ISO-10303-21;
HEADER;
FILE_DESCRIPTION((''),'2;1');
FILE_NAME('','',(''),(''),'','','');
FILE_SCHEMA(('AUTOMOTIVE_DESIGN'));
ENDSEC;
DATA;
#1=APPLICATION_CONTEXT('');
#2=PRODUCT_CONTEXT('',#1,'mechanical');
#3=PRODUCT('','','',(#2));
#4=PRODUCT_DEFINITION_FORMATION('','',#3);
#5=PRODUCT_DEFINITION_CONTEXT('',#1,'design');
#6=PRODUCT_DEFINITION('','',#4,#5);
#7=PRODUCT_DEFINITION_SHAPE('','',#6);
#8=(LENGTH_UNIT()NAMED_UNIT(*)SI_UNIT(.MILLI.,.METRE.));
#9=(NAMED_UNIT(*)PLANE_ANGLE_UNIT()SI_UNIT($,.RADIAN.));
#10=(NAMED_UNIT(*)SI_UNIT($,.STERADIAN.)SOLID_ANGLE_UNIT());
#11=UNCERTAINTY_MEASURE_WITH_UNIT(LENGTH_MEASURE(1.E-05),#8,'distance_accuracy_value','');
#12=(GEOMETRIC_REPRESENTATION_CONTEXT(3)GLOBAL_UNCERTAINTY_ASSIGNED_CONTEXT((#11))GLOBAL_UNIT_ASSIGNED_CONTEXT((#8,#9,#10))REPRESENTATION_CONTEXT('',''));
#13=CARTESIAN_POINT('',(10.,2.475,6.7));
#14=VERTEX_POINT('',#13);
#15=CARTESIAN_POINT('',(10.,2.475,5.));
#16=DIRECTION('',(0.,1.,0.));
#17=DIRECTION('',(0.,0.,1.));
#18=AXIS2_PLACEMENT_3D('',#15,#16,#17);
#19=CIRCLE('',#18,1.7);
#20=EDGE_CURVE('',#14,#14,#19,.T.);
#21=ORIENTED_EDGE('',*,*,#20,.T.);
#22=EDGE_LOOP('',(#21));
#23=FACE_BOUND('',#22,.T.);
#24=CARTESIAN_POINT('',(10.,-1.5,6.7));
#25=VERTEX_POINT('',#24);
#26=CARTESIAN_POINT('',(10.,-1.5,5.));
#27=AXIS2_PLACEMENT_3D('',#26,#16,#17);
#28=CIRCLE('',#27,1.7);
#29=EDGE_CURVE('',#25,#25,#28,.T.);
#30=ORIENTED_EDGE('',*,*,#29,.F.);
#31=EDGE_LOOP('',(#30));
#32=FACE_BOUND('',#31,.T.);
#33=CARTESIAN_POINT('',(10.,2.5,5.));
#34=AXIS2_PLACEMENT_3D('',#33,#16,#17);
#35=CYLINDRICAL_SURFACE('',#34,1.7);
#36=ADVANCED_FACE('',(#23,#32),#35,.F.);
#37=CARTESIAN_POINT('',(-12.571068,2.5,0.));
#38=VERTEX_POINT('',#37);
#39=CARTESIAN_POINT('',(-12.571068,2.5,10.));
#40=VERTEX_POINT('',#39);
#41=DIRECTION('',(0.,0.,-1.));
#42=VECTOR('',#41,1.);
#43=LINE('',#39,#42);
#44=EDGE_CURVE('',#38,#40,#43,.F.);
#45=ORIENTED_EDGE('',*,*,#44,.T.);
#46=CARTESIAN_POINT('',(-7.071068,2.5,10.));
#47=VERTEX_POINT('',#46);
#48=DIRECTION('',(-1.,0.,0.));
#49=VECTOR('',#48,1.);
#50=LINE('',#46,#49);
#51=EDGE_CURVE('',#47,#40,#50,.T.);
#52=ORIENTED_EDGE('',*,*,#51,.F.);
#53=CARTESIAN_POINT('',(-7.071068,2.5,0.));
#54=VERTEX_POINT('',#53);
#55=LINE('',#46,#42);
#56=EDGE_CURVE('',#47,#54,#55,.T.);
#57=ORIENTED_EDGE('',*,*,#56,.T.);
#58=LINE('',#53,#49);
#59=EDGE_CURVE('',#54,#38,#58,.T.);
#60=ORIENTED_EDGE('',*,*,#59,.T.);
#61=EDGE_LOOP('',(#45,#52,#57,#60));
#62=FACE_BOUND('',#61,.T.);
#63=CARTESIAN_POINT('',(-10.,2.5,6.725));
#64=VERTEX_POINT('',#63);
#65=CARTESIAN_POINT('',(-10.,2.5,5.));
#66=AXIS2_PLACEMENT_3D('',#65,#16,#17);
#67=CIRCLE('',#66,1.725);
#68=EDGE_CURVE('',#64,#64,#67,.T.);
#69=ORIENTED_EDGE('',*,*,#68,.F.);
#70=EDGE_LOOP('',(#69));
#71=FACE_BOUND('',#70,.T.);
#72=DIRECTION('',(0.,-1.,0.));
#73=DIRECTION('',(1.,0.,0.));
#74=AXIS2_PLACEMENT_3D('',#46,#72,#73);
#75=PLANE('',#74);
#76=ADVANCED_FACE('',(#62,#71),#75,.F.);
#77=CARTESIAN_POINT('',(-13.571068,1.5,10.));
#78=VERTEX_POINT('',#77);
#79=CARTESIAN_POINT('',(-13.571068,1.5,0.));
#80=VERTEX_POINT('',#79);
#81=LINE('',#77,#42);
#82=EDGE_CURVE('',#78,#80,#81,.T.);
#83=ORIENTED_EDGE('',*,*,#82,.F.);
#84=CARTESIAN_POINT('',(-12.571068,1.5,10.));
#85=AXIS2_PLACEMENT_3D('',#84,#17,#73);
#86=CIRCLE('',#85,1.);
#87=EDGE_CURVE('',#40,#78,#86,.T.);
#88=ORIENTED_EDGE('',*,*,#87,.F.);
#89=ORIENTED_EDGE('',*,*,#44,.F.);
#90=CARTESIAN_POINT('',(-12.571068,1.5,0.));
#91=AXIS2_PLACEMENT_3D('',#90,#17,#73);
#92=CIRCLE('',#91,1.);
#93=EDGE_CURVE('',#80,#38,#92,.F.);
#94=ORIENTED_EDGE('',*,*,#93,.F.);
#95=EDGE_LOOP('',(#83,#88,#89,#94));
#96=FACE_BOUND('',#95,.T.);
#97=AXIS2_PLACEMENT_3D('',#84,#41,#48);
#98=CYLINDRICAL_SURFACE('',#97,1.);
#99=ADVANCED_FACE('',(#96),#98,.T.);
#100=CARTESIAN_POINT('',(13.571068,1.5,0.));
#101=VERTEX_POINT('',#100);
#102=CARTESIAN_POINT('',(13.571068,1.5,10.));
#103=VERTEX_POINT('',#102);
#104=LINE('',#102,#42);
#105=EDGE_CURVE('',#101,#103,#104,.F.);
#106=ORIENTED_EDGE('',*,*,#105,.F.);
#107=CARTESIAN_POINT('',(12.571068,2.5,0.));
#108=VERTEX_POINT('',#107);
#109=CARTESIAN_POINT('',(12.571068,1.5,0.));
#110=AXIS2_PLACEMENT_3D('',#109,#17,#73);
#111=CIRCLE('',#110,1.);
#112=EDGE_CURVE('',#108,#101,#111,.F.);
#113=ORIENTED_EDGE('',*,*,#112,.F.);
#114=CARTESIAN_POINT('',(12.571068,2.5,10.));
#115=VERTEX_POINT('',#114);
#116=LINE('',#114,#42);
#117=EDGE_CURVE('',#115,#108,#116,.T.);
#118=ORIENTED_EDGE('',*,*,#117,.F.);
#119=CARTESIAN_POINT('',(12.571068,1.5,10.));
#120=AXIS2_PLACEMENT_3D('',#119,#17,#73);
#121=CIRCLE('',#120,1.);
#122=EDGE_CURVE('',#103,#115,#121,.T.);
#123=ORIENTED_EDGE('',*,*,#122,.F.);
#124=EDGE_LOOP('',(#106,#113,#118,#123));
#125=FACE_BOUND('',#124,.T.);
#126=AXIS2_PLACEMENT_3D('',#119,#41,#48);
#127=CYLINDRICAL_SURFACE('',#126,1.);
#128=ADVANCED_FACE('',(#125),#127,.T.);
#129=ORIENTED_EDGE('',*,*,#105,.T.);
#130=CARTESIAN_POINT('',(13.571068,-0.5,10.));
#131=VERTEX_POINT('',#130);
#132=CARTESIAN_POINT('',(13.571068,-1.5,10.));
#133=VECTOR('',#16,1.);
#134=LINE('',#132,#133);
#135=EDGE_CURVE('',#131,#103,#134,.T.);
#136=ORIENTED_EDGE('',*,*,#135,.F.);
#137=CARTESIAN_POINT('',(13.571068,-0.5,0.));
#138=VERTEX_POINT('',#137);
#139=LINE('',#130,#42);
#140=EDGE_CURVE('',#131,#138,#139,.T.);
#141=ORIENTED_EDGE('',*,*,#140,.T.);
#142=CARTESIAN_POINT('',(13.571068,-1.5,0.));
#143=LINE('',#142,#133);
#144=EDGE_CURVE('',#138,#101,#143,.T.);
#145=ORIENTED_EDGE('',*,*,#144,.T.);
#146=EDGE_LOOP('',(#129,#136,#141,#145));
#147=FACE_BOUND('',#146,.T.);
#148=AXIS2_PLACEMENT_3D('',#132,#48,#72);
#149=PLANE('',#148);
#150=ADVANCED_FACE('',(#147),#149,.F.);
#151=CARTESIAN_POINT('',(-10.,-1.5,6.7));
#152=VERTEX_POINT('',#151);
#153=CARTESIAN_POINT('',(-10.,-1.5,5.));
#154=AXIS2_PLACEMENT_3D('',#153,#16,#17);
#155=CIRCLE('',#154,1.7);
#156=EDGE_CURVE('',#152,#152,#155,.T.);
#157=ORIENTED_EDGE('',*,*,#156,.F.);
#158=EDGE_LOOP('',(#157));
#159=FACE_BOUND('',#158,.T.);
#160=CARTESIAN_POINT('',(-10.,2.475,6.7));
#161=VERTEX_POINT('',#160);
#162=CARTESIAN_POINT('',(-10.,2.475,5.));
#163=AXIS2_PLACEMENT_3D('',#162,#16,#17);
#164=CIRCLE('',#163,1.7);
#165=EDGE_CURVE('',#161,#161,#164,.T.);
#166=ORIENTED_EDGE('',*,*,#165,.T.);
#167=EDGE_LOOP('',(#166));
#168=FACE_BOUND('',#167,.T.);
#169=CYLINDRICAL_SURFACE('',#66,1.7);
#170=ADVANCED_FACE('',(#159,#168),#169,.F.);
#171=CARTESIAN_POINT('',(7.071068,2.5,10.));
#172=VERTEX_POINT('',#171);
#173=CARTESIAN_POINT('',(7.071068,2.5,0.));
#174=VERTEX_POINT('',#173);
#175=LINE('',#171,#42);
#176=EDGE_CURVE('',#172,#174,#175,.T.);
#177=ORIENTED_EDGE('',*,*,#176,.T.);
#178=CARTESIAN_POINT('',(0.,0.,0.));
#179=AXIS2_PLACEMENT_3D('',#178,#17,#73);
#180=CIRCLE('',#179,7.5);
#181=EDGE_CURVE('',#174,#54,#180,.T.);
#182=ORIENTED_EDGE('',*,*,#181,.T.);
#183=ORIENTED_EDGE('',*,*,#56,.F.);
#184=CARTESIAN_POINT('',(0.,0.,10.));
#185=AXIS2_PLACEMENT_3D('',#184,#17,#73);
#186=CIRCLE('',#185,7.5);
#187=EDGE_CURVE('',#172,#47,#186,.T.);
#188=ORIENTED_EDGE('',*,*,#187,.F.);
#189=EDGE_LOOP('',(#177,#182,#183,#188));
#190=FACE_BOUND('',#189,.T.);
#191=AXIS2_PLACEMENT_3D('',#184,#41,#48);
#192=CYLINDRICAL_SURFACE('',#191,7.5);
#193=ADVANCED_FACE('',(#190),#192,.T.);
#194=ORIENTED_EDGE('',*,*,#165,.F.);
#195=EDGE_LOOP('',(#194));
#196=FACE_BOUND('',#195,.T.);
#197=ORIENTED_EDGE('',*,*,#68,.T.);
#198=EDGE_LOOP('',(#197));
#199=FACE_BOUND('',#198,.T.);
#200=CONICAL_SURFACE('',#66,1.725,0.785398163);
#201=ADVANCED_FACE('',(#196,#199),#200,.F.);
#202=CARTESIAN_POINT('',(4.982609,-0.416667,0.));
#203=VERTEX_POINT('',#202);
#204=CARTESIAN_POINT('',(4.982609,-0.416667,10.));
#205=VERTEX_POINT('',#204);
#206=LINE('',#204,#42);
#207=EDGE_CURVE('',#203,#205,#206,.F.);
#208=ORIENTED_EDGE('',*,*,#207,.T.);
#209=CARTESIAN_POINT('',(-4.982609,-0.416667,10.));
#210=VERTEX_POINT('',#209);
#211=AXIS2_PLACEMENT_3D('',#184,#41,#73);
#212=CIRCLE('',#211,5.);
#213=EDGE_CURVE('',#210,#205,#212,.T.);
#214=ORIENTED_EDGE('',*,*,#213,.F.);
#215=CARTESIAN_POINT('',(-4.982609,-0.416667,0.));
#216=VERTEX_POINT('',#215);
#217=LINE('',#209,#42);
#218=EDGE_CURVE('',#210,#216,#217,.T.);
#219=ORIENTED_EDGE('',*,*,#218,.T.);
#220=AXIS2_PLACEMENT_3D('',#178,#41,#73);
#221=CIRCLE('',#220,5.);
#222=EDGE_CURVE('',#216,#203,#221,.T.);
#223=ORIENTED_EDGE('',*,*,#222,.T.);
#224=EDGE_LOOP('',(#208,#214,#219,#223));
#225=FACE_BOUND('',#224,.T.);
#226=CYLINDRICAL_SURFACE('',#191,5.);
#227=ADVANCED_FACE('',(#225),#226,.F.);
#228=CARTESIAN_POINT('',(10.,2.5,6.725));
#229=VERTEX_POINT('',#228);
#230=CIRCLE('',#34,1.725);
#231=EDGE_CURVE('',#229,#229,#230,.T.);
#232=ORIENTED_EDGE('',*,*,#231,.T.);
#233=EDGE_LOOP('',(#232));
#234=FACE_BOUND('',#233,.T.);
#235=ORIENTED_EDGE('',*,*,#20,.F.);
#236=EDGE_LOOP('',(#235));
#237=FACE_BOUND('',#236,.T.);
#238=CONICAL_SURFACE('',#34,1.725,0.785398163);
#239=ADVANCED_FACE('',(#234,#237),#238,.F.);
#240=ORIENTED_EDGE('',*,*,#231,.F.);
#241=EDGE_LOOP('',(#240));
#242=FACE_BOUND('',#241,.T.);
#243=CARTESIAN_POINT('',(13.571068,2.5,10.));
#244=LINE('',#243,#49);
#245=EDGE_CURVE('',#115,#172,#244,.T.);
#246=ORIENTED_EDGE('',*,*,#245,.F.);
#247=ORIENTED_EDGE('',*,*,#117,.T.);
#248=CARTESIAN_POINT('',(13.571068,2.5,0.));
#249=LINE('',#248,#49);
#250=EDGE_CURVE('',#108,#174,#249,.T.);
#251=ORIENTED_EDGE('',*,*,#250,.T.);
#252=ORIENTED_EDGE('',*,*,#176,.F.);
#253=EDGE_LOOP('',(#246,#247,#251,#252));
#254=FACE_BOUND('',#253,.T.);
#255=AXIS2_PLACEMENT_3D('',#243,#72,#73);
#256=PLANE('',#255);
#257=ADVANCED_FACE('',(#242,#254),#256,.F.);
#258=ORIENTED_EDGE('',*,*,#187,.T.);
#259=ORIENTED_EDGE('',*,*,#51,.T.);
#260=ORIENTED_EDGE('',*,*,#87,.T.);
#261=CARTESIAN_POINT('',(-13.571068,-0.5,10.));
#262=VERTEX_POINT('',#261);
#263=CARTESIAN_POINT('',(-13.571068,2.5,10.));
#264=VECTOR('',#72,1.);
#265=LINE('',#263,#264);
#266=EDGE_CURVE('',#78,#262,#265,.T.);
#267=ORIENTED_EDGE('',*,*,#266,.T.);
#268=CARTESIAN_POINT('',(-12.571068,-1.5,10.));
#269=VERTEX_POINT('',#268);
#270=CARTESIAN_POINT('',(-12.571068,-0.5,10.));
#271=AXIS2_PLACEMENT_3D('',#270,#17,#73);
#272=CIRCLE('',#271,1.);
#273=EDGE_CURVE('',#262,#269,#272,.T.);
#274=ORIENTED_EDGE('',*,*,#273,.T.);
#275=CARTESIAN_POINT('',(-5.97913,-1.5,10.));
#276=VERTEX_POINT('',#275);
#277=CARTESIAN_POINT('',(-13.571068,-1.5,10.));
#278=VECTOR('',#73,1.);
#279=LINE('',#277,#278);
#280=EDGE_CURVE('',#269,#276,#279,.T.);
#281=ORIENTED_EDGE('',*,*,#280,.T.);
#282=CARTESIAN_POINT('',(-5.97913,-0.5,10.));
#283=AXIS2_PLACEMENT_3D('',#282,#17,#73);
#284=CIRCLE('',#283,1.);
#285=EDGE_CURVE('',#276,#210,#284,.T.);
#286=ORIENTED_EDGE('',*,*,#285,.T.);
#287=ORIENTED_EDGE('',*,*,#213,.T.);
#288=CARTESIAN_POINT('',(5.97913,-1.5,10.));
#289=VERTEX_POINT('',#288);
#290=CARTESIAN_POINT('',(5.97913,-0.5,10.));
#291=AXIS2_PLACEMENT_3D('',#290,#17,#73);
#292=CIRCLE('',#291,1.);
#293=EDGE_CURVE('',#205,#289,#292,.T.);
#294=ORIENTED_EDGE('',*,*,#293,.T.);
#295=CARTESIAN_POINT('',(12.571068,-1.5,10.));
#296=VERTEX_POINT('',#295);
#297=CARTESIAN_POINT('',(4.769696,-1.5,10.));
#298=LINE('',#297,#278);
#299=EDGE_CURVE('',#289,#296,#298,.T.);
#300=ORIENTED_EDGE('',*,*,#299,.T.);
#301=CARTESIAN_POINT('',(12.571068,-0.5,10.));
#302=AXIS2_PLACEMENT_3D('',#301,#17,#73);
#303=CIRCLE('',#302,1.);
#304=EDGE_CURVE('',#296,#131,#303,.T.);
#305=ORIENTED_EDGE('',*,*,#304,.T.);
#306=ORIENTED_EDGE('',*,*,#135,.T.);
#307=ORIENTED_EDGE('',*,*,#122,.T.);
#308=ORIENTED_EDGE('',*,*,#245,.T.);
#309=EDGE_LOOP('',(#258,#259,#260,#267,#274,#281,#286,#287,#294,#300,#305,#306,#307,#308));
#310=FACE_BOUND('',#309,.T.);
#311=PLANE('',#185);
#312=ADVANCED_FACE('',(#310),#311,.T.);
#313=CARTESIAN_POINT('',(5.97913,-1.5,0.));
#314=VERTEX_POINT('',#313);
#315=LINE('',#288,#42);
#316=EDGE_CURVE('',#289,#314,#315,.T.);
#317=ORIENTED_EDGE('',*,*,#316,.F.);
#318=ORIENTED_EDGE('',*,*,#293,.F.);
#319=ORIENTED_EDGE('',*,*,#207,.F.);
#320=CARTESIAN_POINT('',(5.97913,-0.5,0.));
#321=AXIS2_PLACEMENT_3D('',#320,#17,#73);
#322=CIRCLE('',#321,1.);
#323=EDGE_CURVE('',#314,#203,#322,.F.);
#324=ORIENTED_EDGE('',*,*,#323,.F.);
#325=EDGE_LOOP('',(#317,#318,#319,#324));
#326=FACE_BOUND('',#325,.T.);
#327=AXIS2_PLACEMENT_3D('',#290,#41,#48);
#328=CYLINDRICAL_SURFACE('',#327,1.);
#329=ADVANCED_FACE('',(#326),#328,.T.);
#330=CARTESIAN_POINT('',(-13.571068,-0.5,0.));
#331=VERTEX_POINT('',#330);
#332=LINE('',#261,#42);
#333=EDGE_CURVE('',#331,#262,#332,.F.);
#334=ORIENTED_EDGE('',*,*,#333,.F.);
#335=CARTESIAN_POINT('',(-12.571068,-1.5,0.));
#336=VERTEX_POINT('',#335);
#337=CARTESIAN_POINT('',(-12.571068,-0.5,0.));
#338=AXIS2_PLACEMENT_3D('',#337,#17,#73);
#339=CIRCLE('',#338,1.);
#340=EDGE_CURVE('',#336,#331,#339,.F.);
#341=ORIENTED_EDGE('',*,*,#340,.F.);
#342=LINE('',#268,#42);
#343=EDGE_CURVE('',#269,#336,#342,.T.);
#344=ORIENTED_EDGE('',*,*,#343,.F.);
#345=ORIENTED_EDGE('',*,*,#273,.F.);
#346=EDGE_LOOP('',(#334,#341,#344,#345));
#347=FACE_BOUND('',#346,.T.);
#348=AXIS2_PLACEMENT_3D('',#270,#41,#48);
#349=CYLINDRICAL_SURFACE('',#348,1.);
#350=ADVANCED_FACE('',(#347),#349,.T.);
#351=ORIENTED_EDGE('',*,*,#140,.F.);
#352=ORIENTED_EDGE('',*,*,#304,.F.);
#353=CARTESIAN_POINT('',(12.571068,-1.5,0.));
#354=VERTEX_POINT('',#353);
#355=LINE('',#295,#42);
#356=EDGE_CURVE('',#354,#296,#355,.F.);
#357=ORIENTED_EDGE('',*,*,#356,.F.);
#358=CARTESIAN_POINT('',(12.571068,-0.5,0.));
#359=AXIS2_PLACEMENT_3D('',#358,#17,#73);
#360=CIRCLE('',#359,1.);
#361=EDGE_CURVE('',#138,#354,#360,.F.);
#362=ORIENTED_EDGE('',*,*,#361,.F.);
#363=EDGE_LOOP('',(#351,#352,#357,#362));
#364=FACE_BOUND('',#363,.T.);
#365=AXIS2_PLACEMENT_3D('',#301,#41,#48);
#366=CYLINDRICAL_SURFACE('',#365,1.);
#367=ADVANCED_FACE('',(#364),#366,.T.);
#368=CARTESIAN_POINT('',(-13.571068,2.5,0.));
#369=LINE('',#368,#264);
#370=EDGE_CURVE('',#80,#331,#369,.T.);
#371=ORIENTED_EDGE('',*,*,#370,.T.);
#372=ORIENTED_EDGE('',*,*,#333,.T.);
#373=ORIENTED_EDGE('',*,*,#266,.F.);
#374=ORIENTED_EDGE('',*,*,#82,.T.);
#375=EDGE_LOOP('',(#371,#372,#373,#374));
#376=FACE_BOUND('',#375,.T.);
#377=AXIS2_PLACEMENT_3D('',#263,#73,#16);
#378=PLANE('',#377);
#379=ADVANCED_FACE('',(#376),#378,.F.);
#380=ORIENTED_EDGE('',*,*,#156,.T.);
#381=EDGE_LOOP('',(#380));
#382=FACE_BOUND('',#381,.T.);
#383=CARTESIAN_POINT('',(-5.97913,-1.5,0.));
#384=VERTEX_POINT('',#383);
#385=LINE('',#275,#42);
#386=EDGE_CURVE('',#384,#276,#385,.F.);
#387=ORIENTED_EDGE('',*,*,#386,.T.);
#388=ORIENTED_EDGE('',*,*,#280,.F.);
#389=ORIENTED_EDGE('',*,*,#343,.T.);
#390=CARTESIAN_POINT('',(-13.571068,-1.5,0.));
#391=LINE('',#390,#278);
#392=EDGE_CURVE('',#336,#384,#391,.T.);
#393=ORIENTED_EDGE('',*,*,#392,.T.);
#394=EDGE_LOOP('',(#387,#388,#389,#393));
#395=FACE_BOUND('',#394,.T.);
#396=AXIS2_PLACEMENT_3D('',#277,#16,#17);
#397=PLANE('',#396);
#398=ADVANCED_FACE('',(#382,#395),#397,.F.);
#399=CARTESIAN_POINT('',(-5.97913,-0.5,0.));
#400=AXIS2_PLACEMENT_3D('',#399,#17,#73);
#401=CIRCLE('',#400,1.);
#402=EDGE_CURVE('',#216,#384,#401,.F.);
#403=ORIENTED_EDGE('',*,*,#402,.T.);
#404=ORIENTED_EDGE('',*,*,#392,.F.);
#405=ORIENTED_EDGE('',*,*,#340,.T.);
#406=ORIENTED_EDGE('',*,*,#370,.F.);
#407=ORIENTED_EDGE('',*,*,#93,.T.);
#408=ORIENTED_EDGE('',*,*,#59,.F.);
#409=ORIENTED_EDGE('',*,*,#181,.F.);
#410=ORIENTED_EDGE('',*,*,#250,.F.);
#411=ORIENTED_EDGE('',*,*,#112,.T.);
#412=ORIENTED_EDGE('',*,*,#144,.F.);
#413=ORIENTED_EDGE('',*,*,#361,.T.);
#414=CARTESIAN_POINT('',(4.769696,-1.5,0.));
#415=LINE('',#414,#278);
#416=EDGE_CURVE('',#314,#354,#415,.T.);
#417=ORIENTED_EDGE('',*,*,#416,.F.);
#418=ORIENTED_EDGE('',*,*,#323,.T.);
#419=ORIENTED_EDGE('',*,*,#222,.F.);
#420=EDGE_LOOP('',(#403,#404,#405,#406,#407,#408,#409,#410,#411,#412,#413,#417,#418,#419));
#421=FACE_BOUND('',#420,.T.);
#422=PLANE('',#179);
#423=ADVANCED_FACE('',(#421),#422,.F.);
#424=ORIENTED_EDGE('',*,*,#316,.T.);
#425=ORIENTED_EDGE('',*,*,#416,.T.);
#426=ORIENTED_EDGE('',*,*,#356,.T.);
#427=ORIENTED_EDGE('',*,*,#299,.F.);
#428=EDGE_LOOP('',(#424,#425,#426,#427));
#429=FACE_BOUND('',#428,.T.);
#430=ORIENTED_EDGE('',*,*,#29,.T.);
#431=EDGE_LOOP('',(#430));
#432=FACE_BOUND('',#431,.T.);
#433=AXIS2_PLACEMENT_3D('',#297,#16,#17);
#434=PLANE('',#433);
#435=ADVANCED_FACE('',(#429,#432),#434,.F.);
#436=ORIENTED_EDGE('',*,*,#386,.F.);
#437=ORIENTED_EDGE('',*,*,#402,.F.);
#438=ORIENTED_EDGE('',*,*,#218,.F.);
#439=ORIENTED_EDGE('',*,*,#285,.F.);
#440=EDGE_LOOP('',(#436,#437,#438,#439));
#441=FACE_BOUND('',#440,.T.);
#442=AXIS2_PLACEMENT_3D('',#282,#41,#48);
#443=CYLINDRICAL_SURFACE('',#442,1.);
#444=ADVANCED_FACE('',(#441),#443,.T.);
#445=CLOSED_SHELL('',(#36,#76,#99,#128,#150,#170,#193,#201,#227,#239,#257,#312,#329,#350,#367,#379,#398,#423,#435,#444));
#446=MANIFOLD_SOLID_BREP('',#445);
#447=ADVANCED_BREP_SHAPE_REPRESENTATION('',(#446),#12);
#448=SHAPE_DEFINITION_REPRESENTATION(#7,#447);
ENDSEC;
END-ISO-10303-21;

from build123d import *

# Parameters (mm, degrees)
BOSS_EXTRUDE1_DEPTH            = 10
M3_CLEARANCE_HOLE1_D           = 3.4
M3_CLEARANCE_HOLE1_CSINK_D     = 3.45
M3_CLEARANCE_HOLE1_CSINK_ANGLE = 90
FILLET1_R                      = 1


with BuildPart() as part:
    # Sketch2 → Boss-Extrude1 (new body)
    with BuildSketch(Plane.XY):
        with BuildLine():
            Line((4.769696007, -1.5), (13.571067812, -1.5))
            Line((13.571067812, -1.5), (13.571067812, 2.5))
            Line((13.571067812, 2.5), (7.071067812, 2.5))
            ThreePointArc((7.071067812, 2.5), (0, 7.5), (-7.071067812, 2.5))
            Line((-7.071067812, 2.5), (-13.571067812, 2.5))
            Line((-13.571067812, 2.5), (-13.571067812, -1.5))
            Line((-13.571067812, -1.5), (-4.769696007, -1.5))
            ThreePointArc((-4.769696007, -1.5), (0, 5), (4.769696007, -1.5))
        make_face()
    extrude(amount=BOSS_EXTRUDE1_DEPTH)

    # M3 Clearance Hole1 (through all)
    with Locations(Plane(origin=(0, 2.5, 0), x_dir=(1, 0, 0), z_dir=(0, 1, 0))):
        with Locations((-10, -5), (10, -5)):
            CounterSinkHole(M3_CLEARANCE_HOLE1_D / 2, M3_CLEARANCE_HOLE1_CSINK_D / 2, counter_sink_angle=M3_CLEARANCE_HOLE1_CSINK_ANGLE)

    # Fillet1
    fillet1_edges = [part.edges().sort_by_distance(p)[0] for p in [
        (13.571067812, 2.5, 5),
        (13.571067812, -1.5, 5),
        (4.769696007, -1.5, 5),
        (-4.769696007, -1.5, 5),
        (-13.571067812, -1.5, 5),
        (-13.571067812, 2.5, 5),
    ]]
    fillet(fillet1_edges, radius=FILLET1_R)


solid = part.part
